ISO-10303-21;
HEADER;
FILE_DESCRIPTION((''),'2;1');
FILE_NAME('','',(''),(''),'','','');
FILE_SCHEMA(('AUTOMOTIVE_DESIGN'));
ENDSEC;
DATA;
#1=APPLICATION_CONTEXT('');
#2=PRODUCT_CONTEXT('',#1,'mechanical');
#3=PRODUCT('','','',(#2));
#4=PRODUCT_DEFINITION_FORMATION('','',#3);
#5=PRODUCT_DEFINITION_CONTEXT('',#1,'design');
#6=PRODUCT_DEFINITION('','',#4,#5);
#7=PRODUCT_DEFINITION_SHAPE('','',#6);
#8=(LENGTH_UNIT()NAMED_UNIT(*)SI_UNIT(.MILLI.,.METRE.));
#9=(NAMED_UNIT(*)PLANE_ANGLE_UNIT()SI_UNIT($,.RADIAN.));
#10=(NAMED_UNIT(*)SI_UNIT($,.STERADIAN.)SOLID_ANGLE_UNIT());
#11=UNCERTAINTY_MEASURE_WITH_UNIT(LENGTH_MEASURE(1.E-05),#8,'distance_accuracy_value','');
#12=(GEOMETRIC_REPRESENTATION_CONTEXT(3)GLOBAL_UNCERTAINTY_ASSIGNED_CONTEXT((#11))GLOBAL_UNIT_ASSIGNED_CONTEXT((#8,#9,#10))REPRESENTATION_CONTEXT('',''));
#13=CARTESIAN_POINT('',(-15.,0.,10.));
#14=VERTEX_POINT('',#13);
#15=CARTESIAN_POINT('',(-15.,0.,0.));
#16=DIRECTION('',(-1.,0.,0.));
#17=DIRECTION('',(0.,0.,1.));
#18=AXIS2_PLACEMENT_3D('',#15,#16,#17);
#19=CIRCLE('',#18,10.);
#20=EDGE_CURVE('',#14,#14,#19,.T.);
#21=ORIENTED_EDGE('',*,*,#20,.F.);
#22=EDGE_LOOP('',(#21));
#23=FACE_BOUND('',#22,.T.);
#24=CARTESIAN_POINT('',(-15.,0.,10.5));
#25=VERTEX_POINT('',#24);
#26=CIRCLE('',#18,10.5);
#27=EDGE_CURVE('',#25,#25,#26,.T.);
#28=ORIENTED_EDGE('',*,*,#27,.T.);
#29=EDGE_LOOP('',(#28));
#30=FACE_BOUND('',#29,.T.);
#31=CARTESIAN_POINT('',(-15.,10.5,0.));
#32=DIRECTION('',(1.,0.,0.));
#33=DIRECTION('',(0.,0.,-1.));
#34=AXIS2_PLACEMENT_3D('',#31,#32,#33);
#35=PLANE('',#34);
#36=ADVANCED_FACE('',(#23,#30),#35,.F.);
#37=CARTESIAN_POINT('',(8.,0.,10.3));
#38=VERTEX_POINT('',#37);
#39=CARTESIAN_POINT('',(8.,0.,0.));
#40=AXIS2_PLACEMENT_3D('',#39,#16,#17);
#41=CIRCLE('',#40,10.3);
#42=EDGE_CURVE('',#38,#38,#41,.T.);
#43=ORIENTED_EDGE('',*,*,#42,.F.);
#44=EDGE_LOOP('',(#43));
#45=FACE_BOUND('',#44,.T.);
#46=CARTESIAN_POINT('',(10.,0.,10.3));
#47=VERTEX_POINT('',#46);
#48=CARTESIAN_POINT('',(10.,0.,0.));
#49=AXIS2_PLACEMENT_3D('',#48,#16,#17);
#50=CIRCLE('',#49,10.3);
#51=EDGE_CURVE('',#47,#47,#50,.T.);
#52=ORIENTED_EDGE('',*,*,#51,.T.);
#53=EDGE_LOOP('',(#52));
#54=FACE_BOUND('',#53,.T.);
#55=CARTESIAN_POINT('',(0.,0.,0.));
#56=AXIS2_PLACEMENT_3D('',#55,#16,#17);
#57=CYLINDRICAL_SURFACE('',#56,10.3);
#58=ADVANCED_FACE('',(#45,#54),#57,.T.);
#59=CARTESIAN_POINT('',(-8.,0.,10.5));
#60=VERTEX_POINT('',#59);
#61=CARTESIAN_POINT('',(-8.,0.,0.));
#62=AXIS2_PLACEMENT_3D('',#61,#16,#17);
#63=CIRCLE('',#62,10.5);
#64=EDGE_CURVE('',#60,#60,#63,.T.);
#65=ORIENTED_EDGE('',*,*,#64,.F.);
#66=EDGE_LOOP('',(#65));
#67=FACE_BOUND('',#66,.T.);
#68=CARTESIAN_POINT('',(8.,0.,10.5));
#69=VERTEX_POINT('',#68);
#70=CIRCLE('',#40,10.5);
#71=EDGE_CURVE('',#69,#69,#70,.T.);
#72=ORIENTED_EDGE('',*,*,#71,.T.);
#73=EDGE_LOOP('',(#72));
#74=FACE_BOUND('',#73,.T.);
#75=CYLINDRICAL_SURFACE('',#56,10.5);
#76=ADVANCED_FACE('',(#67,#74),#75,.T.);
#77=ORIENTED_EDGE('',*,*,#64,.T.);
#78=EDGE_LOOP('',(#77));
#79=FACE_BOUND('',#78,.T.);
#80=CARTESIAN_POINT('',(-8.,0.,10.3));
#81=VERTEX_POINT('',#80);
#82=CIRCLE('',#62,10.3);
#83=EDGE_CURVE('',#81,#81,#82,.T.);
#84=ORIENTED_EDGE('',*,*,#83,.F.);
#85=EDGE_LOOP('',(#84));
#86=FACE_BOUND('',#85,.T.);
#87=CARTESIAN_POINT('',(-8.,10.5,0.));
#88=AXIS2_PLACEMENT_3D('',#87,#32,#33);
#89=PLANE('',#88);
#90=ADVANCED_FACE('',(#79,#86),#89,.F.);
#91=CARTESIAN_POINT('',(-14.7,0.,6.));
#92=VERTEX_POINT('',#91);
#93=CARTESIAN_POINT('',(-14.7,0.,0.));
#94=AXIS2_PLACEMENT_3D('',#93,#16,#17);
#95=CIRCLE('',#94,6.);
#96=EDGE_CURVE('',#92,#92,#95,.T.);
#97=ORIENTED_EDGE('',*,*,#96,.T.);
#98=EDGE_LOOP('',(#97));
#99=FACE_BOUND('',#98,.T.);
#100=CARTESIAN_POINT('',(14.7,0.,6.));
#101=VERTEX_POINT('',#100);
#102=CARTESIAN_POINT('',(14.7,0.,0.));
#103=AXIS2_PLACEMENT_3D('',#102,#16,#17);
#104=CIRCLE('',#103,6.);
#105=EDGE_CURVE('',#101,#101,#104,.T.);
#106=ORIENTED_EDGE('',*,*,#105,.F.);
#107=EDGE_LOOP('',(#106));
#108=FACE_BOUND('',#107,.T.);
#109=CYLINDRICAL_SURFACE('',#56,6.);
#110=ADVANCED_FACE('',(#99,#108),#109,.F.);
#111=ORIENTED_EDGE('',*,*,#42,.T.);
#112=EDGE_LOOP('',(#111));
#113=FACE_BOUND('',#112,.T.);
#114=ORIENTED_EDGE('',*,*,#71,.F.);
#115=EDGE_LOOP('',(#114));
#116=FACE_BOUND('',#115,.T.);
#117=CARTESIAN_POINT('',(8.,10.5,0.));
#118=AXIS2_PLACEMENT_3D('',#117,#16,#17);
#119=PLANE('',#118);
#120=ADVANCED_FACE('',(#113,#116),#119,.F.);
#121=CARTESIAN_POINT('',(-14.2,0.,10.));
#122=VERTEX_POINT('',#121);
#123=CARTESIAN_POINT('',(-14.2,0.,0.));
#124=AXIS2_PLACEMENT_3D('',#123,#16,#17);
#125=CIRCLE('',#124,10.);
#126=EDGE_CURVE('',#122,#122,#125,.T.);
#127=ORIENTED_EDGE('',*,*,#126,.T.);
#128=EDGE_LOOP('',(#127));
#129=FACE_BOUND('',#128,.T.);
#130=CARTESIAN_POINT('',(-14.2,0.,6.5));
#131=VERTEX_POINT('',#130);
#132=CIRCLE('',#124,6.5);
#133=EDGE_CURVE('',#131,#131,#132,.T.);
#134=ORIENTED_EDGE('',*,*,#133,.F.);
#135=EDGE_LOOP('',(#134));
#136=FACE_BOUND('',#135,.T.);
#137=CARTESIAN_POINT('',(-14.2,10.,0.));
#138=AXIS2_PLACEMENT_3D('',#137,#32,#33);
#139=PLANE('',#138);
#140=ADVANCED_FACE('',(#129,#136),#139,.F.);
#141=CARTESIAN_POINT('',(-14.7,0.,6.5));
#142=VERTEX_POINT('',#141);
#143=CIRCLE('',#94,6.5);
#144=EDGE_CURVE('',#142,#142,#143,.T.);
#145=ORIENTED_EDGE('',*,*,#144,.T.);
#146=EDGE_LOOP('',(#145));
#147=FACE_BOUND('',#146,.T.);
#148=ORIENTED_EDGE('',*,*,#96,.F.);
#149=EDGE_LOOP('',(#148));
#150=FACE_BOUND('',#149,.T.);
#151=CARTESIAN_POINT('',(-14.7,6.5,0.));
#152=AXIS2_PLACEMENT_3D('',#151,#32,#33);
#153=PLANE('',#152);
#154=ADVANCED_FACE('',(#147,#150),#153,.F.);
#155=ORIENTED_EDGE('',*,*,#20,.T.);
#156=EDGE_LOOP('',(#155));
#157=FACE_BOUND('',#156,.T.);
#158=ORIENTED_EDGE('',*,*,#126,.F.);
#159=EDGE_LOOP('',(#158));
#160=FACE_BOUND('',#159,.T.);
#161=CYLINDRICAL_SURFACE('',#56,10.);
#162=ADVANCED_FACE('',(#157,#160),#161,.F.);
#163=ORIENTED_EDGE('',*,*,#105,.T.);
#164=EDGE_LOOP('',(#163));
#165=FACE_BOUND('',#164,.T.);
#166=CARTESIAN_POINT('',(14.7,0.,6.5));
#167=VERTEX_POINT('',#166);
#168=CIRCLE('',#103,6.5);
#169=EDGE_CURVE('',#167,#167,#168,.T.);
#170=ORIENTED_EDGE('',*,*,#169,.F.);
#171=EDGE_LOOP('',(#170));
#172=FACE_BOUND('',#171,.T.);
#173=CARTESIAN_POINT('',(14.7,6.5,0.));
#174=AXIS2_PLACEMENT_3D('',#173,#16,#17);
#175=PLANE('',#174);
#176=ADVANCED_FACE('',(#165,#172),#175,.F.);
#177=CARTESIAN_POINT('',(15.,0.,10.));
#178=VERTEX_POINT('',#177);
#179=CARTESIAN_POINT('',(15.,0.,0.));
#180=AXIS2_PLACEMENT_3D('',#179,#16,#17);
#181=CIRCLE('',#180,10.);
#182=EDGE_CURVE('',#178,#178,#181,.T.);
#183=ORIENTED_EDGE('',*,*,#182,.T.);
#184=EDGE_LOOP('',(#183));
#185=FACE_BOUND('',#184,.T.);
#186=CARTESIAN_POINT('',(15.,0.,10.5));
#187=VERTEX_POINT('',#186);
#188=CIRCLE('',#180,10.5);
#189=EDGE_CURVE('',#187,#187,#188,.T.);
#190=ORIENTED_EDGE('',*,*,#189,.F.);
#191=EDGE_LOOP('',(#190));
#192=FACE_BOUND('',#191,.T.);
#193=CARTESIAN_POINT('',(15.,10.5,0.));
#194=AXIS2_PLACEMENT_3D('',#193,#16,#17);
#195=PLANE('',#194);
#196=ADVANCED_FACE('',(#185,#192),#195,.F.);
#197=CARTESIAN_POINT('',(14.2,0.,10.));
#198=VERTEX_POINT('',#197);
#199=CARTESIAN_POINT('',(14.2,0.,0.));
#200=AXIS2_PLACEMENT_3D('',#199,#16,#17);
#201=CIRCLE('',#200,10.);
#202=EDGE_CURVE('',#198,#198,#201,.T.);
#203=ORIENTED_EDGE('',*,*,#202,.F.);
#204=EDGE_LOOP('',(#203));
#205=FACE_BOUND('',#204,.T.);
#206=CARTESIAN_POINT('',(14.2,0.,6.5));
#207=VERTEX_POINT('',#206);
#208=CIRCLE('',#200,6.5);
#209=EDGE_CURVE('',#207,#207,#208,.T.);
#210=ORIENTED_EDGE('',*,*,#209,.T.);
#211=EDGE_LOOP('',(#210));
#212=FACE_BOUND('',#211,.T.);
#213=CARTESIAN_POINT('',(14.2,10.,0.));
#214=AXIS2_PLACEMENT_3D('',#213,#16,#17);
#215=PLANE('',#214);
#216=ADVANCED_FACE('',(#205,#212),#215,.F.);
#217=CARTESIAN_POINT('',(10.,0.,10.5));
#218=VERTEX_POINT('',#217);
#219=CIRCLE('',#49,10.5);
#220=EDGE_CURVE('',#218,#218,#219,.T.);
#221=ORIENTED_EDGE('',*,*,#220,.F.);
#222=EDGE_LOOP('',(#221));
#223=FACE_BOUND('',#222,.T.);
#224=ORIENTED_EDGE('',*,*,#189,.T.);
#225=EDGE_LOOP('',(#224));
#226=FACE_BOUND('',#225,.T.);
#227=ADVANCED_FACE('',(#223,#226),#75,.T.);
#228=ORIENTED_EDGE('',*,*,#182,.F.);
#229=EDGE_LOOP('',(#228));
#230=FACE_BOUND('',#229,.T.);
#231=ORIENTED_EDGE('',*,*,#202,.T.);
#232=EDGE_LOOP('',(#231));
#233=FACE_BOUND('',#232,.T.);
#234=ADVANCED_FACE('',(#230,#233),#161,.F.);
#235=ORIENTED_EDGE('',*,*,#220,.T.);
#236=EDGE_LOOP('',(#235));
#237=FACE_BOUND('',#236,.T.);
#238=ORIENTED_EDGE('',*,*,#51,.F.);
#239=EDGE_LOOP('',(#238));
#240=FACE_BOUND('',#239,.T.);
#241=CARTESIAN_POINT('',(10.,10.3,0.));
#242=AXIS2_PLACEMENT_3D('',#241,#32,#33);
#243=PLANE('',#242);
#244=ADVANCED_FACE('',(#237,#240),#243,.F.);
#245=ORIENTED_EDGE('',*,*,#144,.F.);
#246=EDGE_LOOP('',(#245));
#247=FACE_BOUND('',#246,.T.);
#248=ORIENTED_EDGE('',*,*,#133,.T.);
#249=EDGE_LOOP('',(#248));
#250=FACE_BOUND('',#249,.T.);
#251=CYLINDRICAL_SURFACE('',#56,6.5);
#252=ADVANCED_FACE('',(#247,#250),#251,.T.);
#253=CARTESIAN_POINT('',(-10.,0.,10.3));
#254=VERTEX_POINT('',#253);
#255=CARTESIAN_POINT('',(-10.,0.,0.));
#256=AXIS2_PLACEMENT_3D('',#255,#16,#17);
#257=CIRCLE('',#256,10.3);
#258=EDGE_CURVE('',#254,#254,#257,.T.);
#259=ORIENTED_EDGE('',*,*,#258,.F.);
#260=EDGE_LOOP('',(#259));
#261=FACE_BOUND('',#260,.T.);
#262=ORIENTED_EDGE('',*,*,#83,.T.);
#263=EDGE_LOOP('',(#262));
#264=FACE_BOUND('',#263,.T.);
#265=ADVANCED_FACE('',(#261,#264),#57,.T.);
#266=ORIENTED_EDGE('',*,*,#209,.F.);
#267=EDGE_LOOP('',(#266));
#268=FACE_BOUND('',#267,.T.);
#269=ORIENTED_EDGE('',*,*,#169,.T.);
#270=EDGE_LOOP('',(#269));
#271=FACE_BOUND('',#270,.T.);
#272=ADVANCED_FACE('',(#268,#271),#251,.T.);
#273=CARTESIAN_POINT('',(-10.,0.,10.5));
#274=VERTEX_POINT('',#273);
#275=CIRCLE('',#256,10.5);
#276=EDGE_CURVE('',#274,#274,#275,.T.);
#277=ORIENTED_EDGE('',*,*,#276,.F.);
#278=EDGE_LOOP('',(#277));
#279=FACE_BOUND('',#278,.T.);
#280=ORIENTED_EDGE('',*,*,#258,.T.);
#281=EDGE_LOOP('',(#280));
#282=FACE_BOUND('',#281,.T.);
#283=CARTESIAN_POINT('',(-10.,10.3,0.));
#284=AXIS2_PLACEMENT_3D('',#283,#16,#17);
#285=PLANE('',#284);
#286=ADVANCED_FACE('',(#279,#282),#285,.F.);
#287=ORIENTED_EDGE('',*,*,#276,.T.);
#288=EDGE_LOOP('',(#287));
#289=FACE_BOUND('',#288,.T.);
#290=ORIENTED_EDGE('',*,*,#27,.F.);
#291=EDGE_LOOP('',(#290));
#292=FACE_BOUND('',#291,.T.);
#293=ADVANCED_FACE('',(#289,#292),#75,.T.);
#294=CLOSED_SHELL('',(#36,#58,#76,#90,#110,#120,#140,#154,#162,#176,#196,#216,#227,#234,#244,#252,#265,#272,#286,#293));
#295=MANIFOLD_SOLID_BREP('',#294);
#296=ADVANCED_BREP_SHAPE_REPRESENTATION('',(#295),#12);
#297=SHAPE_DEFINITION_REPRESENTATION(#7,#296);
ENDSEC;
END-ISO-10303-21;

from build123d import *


with BuildPart() as part:
    # Sketch1 → Revolve1 (revolve)
    with BuildSketch(Plane.XY):
        Polygon((-8, 10.5), (8, 10.5), (8, 10.3), (10, 10.3), (10, 10.5), (15, 10.5), (15, 10), (14.2, 10), (14.2, 6.5), (14.7, 6.5), (14.7, 6), (-14.7, 6), (-14.7, 6.5), (-14.2, 6.5), (-14.2, 10), (-15, 10), (-15, 10.5), (-10, 10.5), (-10, 10.3), (-8, 10.3), align=None)
    revolve(axis=Axis((0, 0, 0), (1, 0, 0)))


solid = part.part
